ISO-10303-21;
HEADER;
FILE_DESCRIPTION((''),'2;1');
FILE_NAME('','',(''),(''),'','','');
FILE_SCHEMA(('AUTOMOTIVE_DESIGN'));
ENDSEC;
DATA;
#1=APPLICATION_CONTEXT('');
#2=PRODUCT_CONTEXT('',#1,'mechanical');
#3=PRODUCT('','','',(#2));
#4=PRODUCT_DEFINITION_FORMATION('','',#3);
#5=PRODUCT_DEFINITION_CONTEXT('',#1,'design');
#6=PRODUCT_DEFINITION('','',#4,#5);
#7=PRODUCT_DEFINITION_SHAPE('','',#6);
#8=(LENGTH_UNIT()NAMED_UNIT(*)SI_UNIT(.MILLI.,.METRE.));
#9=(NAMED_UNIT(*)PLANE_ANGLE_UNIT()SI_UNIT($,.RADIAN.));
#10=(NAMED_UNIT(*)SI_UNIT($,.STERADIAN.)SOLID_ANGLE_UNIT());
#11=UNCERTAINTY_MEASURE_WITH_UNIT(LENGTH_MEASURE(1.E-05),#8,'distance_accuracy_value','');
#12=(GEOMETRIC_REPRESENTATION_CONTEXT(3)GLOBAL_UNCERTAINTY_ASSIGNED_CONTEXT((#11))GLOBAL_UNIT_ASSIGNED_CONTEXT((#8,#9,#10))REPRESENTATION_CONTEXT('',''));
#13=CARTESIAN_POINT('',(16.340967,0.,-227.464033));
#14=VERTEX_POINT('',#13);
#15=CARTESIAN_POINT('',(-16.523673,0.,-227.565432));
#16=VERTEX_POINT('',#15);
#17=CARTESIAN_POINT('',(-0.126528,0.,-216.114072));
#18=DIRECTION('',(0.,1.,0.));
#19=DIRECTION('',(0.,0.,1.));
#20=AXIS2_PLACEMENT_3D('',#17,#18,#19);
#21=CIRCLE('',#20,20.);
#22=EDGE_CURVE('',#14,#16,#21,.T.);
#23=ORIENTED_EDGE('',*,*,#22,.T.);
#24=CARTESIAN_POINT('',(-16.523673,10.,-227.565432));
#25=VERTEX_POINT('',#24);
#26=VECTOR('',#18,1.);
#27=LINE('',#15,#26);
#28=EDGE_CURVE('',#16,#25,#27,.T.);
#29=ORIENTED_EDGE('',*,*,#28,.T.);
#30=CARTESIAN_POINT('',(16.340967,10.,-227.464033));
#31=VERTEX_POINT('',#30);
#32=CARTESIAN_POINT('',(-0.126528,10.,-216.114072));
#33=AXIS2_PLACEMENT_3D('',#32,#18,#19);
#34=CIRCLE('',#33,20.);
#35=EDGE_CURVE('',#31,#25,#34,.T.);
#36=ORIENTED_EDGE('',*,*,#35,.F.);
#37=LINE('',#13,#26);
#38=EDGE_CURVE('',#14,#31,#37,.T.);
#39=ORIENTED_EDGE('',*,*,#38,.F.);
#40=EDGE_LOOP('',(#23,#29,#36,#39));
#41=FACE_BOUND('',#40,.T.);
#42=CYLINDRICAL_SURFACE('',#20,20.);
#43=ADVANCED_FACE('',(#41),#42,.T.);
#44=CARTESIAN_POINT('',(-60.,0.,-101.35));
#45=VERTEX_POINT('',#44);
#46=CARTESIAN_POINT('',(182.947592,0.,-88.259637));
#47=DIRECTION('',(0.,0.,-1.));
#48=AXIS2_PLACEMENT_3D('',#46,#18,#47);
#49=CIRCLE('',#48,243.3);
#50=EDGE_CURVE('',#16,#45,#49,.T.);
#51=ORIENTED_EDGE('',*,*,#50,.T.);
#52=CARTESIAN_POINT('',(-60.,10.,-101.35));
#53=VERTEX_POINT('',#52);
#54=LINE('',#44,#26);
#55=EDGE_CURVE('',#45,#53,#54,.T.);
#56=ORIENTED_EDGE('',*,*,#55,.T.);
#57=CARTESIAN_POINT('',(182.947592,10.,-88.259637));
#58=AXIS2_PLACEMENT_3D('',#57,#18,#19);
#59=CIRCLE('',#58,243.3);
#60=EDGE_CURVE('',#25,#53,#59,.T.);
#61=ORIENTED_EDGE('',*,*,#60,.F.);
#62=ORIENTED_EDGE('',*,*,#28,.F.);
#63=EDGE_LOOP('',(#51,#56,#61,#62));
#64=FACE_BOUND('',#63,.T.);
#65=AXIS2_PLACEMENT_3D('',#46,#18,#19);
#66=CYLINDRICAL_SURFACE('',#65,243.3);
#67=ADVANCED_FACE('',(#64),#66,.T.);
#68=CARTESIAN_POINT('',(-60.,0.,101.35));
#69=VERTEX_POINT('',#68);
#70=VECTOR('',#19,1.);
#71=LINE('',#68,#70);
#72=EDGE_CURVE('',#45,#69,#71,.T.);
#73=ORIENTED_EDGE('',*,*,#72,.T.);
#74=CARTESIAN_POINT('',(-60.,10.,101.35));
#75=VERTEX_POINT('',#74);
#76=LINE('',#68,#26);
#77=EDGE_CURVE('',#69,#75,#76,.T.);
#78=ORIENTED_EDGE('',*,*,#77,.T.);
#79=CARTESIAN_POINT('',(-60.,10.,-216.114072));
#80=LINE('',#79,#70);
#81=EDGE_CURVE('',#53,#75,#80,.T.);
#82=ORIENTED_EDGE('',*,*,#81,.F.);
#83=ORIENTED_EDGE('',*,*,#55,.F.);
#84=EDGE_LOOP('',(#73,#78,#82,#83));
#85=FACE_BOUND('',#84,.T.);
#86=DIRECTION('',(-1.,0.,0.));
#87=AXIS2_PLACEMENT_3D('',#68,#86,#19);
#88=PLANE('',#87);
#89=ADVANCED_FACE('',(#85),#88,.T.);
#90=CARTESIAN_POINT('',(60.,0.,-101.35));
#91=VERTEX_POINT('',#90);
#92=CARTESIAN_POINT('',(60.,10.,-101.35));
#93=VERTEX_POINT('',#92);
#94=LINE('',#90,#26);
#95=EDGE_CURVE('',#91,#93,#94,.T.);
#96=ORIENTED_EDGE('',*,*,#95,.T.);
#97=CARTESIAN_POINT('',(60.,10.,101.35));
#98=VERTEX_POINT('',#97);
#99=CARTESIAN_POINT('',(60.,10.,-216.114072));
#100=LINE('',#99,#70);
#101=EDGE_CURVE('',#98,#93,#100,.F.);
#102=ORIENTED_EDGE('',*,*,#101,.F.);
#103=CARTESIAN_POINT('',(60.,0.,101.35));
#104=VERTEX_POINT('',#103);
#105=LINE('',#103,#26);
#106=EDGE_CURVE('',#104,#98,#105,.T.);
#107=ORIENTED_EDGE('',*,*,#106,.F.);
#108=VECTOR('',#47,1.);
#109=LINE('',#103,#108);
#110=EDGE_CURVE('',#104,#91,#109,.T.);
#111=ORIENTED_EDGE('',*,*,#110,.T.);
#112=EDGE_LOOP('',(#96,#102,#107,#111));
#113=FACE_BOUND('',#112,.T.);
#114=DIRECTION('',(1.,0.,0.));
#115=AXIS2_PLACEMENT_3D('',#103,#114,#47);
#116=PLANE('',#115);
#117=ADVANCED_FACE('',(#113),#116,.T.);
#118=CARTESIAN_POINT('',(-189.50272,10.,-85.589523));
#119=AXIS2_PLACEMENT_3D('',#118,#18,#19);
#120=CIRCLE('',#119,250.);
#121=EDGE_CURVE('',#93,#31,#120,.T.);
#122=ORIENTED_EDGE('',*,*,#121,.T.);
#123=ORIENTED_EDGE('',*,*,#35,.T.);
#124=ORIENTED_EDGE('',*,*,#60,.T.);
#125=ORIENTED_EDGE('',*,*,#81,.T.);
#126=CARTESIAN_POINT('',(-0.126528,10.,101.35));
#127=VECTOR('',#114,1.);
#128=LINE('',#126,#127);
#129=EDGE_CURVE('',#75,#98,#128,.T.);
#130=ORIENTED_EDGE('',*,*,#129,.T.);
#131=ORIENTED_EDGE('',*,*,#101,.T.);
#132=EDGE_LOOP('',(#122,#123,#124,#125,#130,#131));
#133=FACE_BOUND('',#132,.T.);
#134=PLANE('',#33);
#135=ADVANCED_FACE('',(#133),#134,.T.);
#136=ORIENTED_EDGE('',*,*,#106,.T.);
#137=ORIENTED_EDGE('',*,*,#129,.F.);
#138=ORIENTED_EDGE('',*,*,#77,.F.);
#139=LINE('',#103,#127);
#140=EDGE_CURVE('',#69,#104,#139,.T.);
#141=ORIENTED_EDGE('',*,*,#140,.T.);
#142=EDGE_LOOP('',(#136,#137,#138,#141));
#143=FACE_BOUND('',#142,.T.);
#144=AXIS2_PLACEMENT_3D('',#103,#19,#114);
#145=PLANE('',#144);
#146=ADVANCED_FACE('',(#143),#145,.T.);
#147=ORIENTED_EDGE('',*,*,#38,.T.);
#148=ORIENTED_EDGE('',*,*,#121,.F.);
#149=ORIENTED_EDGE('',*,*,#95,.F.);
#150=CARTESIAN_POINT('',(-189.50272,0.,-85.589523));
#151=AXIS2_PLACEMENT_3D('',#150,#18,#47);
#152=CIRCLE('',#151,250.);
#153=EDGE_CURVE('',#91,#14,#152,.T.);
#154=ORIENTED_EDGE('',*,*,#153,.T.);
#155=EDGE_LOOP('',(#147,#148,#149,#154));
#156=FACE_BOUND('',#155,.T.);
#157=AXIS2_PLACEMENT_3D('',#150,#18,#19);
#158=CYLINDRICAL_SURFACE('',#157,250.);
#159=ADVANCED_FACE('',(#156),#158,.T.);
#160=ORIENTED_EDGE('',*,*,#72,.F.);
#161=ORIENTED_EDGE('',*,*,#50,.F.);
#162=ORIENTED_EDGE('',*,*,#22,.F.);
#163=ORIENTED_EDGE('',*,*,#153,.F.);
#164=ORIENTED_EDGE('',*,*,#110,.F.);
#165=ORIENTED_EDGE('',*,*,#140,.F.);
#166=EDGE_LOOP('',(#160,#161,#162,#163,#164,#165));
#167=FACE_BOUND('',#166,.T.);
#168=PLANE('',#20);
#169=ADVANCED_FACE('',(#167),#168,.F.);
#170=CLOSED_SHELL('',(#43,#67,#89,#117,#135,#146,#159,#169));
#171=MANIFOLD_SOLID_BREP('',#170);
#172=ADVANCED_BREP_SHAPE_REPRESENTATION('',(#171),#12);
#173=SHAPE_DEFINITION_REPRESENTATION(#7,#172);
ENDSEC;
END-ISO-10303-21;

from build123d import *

# Parameters (mm, degrees)
THICKEN1_T1 = 10


with BuildPart() as body_1:
    # Sketch2 → Surface-Plane1: a flat surface bounded by the sketch
    with BuildSketch(Plane(origin=(0, 0, 0), x_dir=(1, 0, 0), z_dir=(0, 1, 0)), mode=Mode.PRIVATE) as surface_plane1_1_region:
        with BuildLine():
            Line((60, -101.35), (-60, -101.35))
            Line((-60, -101.35), (-60, 101.35))
            ThreePointArc((-60, 101.35), (-47.087611837, 167.497853897), (-16.523672609, 227.565432191))
            ThreePointArc((-16.523672609, 227.565432191), (-0.064821019, 236.113976909), (16.340966999, 227.464032864))
            ThreePointArc((16.340966999, 227.464032864), (46.741380265, 167.374149084), (60, 101.35))
            Line((60, 101.35), (60, -101.35))
        make_face()
    surface_plane1_1 = surface_plane1_1_region.sketch.faces()[0]
    add(Solid.thicken(surface_plane1_1, THICKEN1_T1))


solid = body_1.part
